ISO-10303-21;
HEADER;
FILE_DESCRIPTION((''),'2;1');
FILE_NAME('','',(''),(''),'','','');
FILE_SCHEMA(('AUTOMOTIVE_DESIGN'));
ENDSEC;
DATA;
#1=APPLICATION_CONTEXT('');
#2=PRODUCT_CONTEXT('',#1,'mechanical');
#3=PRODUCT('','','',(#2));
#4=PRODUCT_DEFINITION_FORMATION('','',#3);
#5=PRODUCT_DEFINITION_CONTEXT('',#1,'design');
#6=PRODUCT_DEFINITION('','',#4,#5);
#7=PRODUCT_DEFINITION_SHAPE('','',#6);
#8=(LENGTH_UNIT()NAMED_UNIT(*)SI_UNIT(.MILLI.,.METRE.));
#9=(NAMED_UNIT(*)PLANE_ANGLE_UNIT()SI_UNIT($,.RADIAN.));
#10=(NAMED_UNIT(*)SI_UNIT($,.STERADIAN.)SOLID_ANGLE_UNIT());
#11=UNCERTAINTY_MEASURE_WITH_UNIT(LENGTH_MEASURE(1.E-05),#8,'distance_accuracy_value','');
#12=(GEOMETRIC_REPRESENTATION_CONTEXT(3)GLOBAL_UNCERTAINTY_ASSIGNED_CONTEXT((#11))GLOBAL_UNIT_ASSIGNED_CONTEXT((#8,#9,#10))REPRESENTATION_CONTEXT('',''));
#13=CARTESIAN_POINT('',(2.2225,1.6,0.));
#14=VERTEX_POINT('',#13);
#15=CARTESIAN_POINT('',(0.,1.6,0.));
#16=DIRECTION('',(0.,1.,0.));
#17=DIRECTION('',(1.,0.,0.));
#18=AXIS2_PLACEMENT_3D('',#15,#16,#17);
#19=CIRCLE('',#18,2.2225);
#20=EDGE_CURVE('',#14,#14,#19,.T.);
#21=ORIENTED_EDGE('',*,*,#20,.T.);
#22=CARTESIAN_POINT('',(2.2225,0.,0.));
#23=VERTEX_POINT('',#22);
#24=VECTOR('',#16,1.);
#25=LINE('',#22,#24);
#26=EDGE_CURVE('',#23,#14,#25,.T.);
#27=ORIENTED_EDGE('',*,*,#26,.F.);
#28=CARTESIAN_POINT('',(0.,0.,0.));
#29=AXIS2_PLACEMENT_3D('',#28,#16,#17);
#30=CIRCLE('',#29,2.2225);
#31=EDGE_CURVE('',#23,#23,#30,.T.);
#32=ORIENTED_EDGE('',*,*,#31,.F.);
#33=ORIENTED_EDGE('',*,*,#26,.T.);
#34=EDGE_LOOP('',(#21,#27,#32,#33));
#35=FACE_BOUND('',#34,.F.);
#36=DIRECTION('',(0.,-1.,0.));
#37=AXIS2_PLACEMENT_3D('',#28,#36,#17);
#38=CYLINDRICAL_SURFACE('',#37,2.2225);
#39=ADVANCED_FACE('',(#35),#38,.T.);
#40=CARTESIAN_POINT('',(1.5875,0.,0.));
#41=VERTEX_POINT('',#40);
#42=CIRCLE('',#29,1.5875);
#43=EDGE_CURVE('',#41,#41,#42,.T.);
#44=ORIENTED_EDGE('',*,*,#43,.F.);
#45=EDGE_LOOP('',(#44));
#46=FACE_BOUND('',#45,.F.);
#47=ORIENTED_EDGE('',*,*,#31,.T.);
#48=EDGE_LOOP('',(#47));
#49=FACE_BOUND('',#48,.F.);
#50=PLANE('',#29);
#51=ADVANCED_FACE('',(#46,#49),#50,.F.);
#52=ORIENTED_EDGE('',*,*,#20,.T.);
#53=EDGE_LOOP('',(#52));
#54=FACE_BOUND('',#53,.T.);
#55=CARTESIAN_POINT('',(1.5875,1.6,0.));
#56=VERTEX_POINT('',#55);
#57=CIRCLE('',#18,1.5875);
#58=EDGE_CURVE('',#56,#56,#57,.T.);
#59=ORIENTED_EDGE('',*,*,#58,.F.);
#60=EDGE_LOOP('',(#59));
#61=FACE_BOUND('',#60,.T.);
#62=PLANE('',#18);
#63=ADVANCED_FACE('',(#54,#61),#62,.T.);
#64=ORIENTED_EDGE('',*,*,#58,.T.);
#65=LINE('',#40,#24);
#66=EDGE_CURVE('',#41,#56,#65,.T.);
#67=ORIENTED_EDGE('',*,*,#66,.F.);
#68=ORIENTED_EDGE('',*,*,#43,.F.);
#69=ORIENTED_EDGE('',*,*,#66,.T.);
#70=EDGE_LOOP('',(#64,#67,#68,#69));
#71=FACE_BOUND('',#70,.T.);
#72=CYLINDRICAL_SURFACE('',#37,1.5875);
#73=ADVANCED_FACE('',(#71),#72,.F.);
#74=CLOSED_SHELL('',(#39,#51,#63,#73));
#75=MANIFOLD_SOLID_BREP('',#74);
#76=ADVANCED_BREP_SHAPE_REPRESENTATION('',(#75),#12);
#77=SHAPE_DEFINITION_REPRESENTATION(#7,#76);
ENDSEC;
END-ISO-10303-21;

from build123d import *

# Parameters (mm, degrees)
SKETCH_1_R      = 2.2225
SKETCH_1_R_2    = 1.5875
EXTRUDE_1_DEPTH = 1.6


with BuildPart() as part:
    # 草图1 → 凸台-拉伸1 (new body)
    with BuildSketch(Plane(origin=(0, 0, 0), x_dir=(1, 0, 0), z_dir=(0, 1, 0))):
        Circle(SKETCH_1_R)
        Circle(SKETCH_1_R_2, mode=Mode.SUBTRACT)
    extrude(amount=EXTRUDE_1_DEPTH)


solid = part.part
